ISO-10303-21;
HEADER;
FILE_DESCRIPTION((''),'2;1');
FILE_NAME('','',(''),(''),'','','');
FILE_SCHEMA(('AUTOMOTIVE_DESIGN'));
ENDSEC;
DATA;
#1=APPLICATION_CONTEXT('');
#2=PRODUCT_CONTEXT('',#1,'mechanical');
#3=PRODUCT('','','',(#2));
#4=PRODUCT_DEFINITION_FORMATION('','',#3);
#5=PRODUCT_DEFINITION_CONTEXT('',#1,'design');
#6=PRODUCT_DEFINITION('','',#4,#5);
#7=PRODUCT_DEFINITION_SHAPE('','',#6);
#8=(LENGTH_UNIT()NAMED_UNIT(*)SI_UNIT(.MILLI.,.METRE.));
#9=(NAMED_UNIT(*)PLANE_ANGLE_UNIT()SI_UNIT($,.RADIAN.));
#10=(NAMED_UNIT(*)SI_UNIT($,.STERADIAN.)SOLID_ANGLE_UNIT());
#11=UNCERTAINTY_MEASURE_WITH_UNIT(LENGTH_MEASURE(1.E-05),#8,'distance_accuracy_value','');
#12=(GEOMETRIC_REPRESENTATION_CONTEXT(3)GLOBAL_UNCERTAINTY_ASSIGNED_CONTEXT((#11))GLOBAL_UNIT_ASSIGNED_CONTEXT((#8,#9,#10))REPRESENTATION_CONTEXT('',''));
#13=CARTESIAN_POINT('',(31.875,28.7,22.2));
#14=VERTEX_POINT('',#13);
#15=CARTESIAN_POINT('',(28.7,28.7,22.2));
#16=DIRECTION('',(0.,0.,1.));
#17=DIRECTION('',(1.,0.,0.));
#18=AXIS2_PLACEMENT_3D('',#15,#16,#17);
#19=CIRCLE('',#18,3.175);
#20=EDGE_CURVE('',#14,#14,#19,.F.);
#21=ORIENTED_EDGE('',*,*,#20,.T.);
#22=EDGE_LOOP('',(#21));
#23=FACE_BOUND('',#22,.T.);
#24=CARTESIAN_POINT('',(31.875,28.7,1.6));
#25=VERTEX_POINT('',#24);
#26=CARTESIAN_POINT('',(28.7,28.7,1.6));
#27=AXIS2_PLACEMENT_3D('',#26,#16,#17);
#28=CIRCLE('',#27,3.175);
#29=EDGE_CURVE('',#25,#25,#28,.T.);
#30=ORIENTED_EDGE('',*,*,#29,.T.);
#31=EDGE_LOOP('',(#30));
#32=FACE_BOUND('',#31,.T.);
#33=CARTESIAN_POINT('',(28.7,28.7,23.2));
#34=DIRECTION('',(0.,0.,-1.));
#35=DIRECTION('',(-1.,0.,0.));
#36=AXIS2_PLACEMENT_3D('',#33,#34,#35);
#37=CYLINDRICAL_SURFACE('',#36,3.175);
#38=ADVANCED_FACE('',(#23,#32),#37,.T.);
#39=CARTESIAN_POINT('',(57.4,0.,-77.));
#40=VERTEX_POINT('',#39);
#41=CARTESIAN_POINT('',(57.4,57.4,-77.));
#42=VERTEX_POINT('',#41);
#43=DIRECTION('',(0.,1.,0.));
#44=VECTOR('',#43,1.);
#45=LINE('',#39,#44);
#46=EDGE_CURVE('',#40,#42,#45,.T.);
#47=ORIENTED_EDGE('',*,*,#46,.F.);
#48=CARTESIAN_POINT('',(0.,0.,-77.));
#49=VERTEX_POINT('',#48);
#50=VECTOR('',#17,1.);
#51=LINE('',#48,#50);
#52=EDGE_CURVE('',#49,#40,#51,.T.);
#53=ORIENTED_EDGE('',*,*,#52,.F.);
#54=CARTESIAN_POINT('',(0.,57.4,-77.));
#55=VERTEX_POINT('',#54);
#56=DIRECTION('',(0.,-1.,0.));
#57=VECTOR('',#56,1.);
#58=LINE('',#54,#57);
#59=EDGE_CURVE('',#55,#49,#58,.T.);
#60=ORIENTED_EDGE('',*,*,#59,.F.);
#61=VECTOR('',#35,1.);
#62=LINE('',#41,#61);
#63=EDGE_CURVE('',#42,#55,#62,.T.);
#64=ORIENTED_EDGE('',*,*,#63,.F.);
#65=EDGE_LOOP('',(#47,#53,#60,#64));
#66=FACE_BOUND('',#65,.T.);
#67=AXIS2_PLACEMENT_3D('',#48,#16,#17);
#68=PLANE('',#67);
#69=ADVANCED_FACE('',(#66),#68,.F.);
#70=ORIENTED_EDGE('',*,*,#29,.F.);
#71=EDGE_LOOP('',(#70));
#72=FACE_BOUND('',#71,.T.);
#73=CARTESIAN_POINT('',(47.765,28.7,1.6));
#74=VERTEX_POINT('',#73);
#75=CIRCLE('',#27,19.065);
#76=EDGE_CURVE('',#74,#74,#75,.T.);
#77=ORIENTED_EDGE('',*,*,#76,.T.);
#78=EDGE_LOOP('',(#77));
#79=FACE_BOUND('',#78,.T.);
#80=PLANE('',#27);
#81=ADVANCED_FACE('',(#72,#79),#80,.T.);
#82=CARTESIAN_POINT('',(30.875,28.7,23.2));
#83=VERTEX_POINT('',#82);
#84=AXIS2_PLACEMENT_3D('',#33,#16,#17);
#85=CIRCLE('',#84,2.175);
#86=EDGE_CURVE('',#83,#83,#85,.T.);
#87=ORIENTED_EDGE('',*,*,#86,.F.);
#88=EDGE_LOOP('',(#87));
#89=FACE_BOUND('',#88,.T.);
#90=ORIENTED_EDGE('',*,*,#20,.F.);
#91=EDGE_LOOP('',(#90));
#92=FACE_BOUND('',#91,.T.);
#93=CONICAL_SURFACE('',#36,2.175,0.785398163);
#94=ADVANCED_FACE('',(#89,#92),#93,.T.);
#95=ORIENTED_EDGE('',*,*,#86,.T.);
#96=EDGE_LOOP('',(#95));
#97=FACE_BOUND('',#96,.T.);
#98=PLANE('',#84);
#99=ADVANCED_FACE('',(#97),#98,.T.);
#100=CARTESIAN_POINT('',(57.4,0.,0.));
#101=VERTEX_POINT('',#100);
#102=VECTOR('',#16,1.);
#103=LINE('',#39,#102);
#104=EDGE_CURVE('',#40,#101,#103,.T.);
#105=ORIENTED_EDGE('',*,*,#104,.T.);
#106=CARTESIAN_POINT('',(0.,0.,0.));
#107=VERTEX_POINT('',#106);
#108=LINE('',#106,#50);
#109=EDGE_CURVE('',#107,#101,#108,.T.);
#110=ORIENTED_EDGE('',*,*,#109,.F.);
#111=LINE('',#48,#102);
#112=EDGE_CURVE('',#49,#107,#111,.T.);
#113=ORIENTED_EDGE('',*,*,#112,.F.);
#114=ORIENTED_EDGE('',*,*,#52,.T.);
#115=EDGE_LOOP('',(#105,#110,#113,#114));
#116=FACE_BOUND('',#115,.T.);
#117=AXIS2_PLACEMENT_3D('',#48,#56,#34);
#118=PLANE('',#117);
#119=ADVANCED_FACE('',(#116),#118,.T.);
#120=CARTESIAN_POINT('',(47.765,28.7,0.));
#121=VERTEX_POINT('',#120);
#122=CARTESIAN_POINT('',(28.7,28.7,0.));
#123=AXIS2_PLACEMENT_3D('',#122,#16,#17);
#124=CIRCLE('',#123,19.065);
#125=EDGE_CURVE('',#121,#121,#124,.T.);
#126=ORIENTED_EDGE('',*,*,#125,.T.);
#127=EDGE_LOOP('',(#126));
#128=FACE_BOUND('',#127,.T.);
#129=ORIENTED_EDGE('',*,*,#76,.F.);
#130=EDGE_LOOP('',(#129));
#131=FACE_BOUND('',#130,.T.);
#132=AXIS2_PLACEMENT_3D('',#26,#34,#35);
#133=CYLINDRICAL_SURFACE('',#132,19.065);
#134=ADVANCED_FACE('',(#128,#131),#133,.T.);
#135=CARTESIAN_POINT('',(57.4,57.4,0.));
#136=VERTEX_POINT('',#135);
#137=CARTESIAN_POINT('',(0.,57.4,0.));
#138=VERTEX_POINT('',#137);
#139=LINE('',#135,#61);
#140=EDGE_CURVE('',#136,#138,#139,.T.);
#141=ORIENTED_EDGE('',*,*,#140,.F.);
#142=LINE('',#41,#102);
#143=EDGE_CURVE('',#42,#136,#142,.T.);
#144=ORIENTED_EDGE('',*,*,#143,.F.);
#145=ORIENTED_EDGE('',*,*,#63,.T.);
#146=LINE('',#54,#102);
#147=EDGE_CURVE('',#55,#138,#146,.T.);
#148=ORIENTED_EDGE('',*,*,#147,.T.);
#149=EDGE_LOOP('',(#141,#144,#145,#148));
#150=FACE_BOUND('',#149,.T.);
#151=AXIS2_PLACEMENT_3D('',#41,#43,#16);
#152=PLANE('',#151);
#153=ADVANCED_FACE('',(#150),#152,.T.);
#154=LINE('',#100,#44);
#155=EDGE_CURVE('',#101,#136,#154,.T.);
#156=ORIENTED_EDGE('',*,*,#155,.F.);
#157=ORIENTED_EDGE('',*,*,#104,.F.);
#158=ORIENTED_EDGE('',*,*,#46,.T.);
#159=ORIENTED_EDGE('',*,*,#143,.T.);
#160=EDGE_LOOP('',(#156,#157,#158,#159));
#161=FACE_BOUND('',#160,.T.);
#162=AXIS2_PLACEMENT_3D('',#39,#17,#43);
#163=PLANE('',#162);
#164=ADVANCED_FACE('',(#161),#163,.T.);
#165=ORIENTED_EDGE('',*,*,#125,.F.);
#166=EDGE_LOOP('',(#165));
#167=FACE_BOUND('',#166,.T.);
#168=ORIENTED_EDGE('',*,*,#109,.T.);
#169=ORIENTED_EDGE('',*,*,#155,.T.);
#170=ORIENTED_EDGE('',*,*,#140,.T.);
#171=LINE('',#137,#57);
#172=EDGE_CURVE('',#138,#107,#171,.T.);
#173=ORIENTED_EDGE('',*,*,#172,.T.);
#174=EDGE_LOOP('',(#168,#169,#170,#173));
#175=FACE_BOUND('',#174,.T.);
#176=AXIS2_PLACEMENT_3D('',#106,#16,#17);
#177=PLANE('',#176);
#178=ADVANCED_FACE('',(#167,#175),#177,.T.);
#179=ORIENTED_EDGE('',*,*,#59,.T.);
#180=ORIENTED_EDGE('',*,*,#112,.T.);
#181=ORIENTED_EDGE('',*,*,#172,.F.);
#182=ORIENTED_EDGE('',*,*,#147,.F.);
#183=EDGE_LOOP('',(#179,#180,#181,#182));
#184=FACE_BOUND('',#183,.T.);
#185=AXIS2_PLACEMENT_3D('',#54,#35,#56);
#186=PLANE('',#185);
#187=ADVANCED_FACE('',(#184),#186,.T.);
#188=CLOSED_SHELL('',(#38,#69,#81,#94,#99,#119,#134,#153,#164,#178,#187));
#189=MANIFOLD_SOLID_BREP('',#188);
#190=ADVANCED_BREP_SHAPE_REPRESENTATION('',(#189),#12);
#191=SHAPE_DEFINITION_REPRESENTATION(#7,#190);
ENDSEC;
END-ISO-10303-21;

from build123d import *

# Parameters (mm, degrees)
SKIZZE1_W                       = 57.4
SKIZZE1_H                       = 57.4
AUFSATZ_LINEAR_AUSTRAGEN1_DEPTH = 77
SKIZZE2_R                       = 19.065
AUFSATZ_LINEAR_AUSTRAGEN2_DEPTH = 1.6
SKIZZE3_R                       = 3.175
AUFSATZ_LINEAR_AUSTRAGEN3_DEPTH = 21.6
FASE1_SIZE                      = 1


with BuildPart() as part:
    # Skizze1 → Aufsatz-Linear austragen1 (new body)
    with BuildSketch(Plane.XY):
        with Locations((28.7, 28.7)):
            Rectangle(SKIZZE1_W, SKIZZE1_H)
    extrude(amount=-AUFSATZ_LINEAR_AUSTRAGEN1_DEPTH)

    # Skizze2 → Aufsatz-Linear austragen2 (add)
    with BuildSketch(Plane.XY):
        with Locations((28.7, 28.7)):
            Circle(SKIZZE2_R)
    extrude(amount=AUFSATZ_LINEAR_AUSTRAGEN2_DEPTH)

    # Skizze3 → Aufsatz-Linear austragen3 (add)
    with BuildSketch(Plane.XY.offset(1.6)):
        with Locations((28.7, 28.7)):
            Circle(SKIZZE3_R)
    extrude(amount=AUFSATZ_LINEAR_AUSTRAGEN3_DEPTH)

    # Fase1
    fase1_edges = [part.edges().sort_by_distance(p)[0] for p in [
        (25.525, 28.7, 23.2),
    ]]
    chamfer(fase1_edges, length=FASE1_SIZE)


solid = part.part
